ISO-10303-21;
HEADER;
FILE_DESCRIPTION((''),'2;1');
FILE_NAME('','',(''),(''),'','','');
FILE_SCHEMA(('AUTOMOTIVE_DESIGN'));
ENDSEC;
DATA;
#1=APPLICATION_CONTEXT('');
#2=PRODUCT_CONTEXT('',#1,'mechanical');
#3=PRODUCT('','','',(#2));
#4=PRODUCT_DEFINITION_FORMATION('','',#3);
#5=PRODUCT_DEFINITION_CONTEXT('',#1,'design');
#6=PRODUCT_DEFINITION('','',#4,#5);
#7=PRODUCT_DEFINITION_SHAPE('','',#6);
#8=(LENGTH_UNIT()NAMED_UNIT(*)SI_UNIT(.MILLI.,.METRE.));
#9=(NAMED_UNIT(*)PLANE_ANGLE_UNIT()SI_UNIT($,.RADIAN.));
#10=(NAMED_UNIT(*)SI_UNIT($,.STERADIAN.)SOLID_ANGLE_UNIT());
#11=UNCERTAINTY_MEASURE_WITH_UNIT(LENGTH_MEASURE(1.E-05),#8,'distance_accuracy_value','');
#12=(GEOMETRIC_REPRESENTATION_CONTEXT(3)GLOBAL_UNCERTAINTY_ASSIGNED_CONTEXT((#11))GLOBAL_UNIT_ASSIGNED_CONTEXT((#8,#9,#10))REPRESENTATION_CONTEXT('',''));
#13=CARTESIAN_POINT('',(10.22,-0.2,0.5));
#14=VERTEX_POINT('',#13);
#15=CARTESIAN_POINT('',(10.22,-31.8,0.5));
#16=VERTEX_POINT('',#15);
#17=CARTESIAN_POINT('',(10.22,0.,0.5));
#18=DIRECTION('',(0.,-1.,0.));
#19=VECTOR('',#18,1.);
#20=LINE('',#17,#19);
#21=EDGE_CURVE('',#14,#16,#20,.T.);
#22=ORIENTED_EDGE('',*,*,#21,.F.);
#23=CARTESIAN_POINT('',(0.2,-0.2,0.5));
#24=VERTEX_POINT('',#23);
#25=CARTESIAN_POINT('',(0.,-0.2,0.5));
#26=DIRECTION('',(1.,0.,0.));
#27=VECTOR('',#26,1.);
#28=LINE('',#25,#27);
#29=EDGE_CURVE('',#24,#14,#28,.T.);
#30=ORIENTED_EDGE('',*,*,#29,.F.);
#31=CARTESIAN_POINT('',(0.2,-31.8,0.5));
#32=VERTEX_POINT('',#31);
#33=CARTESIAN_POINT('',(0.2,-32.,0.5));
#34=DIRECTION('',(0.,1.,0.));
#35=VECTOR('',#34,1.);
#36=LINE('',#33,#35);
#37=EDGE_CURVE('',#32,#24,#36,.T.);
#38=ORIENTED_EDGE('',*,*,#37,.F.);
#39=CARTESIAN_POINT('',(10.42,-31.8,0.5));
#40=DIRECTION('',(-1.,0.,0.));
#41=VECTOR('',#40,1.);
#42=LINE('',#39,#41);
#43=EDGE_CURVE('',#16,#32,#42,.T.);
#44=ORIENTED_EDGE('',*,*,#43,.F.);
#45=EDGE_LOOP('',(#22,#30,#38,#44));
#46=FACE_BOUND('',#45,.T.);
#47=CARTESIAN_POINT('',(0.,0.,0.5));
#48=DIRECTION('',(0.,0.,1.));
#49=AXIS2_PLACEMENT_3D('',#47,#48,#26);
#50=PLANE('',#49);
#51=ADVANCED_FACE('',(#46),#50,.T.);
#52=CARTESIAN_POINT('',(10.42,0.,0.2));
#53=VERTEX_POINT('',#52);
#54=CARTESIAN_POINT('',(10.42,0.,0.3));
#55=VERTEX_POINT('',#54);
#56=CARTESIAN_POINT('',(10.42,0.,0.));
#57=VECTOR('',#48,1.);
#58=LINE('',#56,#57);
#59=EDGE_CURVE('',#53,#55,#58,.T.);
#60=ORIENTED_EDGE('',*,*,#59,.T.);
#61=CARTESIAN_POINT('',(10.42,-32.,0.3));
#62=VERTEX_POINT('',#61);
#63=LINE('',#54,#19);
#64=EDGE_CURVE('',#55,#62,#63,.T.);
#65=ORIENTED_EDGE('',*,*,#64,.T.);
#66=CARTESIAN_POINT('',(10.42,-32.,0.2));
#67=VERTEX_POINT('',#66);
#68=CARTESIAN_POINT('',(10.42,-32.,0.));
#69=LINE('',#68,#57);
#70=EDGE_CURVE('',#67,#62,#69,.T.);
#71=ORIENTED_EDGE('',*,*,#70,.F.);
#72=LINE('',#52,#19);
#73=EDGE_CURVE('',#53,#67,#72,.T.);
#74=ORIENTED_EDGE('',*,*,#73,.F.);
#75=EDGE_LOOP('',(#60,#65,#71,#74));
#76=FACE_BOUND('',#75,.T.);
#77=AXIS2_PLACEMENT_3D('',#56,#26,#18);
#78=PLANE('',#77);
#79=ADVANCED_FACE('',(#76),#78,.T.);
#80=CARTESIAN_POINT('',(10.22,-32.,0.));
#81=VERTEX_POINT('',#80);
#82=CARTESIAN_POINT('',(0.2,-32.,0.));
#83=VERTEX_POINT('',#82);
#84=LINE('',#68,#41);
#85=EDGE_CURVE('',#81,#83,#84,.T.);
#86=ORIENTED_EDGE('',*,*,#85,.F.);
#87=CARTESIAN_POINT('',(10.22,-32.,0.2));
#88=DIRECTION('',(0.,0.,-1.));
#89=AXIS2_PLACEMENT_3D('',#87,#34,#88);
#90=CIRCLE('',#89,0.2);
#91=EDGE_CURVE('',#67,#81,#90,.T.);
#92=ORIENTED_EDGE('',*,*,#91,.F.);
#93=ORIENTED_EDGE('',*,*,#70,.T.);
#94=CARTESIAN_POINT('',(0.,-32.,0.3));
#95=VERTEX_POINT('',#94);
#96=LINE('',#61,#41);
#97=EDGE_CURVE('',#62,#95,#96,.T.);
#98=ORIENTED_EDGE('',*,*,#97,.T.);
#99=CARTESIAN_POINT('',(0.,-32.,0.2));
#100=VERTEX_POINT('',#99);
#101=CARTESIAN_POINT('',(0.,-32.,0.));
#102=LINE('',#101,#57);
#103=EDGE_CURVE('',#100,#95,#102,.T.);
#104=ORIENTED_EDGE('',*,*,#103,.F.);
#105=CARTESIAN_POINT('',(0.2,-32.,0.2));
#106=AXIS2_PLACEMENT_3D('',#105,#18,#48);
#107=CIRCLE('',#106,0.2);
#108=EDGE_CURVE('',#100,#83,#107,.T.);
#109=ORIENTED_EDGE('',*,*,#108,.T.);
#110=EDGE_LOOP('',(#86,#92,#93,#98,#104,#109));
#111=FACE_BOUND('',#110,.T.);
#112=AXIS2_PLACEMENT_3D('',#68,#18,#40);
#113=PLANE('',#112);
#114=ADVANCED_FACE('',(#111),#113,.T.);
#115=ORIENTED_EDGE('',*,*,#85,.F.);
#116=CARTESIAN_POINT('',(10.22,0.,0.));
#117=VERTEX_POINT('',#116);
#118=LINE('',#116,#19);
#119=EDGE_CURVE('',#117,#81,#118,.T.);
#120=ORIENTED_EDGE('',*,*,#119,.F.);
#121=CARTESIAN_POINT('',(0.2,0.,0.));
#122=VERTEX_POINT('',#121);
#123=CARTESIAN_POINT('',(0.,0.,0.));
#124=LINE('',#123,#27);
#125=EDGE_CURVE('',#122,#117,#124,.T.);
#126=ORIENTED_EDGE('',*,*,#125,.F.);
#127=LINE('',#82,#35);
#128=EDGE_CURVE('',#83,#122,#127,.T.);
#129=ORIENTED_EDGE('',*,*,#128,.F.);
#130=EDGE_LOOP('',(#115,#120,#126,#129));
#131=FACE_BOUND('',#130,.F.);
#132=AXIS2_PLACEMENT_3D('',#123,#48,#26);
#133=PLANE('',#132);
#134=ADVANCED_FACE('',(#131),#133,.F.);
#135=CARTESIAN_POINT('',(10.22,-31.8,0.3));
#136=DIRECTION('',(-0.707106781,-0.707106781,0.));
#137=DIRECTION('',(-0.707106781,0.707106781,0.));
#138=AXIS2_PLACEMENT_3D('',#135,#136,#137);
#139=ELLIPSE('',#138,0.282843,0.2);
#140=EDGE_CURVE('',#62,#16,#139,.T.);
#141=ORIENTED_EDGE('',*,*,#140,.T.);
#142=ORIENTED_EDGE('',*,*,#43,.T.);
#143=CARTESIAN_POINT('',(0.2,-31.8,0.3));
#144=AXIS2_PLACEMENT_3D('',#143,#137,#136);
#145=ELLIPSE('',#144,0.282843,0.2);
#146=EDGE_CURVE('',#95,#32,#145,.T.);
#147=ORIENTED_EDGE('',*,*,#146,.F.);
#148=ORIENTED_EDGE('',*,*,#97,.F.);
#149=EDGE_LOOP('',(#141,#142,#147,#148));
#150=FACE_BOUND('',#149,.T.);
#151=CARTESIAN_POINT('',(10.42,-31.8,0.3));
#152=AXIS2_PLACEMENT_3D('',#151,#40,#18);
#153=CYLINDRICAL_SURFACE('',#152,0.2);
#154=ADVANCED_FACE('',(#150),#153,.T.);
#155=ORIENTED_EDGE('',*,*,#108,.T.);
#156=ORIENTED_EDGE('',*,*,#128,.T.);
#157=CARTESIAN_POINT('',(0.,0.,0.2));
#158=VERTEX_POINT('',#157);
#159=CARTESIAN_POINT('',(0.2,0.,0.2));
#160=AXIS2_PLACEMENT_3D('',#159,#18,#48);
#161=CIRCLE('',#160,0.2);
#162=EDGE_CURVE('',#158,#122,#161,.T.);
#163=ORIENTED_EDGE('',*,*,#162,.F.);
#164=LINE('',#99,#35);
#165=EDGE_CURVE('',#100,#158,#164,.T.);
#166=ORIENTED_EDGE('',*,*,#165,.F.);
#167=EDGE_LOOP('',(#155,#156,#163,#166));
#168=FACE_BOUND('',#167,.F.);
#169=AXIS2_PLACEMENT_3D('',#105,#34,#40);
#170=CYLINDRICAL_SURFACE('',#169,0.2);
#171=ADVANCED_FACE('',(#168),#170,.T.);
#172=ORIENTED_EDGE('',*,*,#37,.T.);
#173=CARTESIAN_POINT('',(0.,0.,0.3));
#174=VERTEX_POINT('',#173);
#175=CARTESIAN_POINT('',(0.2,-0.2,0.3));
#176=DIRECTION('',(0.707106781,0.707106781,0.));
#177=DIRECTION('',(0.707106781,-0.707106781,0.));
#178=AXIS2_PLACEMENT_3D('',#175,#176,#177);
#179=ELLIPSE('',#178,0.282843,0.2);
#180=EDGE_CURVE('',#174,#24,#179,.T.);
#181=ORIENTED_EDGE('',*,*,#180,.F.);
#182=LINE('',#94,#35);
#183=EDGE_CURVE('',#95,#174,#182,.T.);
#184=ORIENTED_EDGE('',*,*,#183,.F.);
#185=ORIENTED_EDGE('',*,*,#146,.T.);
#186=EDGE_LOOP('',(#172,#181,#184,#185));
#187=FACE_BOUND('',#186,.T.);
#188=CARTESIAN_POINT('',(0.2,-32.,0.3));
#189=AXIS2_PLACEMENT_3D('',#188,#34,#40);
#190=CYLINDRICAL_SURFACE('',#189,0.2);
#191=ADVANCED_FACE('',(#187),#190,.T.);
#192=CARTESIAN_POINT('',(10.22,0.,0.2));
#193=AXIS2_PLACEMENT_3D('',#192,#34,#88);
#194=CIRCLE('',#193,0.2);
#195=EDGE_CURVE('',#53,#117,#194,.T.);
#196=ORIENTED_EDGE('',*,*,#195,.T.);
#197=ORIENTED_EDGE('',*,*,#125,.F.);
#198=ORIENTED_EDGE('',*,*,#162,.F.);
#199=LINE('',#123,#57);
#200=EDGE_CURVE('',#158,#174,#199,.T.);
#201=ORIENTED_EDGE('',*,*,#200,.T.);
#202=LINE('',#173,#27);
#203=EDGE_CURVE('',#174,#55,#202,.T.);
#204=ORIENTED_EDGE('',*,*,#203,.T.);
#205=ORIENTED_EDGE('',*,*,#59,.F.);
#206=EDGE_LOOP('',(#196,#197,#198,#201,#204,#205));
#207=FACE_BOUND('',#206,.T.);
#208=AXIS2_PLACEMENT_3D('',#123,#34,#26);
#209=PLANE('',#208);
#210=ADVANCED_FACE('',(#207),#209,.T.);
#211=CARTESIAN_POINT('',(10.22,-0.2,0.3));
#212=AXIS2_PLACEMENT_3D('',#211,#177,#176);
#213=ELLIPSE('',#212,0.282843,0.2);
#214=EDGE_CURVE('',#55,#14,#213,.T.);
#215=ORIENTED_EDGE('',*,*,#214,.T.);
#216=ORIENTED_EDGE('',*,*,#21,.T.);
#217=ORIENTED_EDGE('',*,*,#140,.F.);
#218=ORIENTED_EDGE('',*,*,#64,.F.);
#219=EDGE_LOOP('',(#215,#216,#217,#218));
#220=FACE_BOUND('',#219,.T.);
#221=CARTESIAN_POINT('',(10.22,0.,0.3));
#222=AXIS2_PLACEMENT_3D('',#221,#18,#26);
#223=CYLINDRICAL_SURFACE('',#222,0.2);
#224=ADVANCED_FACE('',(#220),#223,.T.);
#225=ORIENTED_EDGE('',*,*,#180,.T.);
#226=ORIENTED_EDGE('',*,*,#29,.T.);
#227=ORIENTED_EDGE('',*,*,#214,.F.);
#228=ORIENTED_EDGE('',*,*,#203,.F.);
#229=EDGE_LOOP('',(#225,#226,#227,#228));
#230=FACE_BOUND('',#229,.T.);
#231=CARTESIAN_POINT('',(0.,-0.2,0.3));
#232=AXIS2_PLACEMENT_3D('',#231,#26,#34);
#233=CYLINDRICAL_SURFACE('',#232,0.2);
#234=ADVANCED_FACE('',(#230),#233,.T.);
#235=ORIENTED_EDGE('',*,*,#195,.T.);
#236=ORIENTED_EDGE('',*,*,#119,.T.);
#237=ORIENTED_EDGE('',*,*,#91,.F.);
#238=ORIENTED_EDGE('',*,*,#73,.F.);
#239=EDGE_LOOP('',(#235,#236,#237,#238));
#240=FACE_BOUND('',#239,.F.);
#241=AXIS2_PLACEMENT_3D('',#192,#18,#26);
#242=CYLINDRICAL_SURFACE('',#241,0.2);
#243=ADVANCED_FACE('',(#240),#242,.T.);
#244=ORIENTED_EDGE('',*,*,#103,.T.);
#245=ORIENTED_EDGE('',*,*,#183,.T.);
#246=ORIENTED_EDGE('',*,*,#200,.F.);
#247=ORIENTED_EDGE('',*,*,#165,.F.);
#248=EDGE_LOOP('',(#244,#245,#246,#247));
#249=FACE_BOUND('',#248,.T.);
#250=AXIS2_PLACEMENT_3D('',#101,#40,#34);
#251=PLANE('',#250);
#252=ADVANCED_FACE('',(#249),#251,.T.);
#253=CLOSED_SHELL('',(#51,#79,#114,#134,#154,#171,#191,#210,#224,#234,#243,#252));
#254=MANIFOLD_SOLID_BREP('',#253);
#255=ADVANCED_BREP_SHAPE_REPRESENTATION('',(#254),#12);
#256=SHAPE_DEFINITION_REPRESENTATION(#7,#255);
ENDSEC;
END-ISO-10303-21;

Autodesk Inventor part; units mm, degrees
ref_plane "YZ Plane" through (0, 0, 0) normal (1, 0, 0) x (0, 1, 0)
ref_plane "XZ Plane" through (0, 0, 0) normal (0, 1, 0) x (-1, 0, 0)
ref_plane "XY Plane" through (0, 0, 0) normal (0, 0, 1) x (1, 0, 0)
sketch "Sketch1" plane through (0, 0, 0) normal (0, 0, 1) x (1, 0, 0)
  line L0 (0, 0) -> (10.42, 0)
  line L1 (10.42, 0) -> (10.42, -32)
  line L2 (10.42, -32) -> (0, -32)
  line L3 (0, -32) -> (0, 0)
  dimension "d0" = 10.42
  dimension "d1" = 32
extrude "Extrusion1" add sketch "Sketch1" along normal blind 0.5
fillet "Fillet1" radius 0.2 6 edges at (5.21, 0, 0.5) (5.21, -32, 0.5) (10.42, -16, 0) (10.42, -16, 0.5) (0, -16, 0) (0, -16, 0.5)
properties part number "Base 2" material "Iron, Gray"
